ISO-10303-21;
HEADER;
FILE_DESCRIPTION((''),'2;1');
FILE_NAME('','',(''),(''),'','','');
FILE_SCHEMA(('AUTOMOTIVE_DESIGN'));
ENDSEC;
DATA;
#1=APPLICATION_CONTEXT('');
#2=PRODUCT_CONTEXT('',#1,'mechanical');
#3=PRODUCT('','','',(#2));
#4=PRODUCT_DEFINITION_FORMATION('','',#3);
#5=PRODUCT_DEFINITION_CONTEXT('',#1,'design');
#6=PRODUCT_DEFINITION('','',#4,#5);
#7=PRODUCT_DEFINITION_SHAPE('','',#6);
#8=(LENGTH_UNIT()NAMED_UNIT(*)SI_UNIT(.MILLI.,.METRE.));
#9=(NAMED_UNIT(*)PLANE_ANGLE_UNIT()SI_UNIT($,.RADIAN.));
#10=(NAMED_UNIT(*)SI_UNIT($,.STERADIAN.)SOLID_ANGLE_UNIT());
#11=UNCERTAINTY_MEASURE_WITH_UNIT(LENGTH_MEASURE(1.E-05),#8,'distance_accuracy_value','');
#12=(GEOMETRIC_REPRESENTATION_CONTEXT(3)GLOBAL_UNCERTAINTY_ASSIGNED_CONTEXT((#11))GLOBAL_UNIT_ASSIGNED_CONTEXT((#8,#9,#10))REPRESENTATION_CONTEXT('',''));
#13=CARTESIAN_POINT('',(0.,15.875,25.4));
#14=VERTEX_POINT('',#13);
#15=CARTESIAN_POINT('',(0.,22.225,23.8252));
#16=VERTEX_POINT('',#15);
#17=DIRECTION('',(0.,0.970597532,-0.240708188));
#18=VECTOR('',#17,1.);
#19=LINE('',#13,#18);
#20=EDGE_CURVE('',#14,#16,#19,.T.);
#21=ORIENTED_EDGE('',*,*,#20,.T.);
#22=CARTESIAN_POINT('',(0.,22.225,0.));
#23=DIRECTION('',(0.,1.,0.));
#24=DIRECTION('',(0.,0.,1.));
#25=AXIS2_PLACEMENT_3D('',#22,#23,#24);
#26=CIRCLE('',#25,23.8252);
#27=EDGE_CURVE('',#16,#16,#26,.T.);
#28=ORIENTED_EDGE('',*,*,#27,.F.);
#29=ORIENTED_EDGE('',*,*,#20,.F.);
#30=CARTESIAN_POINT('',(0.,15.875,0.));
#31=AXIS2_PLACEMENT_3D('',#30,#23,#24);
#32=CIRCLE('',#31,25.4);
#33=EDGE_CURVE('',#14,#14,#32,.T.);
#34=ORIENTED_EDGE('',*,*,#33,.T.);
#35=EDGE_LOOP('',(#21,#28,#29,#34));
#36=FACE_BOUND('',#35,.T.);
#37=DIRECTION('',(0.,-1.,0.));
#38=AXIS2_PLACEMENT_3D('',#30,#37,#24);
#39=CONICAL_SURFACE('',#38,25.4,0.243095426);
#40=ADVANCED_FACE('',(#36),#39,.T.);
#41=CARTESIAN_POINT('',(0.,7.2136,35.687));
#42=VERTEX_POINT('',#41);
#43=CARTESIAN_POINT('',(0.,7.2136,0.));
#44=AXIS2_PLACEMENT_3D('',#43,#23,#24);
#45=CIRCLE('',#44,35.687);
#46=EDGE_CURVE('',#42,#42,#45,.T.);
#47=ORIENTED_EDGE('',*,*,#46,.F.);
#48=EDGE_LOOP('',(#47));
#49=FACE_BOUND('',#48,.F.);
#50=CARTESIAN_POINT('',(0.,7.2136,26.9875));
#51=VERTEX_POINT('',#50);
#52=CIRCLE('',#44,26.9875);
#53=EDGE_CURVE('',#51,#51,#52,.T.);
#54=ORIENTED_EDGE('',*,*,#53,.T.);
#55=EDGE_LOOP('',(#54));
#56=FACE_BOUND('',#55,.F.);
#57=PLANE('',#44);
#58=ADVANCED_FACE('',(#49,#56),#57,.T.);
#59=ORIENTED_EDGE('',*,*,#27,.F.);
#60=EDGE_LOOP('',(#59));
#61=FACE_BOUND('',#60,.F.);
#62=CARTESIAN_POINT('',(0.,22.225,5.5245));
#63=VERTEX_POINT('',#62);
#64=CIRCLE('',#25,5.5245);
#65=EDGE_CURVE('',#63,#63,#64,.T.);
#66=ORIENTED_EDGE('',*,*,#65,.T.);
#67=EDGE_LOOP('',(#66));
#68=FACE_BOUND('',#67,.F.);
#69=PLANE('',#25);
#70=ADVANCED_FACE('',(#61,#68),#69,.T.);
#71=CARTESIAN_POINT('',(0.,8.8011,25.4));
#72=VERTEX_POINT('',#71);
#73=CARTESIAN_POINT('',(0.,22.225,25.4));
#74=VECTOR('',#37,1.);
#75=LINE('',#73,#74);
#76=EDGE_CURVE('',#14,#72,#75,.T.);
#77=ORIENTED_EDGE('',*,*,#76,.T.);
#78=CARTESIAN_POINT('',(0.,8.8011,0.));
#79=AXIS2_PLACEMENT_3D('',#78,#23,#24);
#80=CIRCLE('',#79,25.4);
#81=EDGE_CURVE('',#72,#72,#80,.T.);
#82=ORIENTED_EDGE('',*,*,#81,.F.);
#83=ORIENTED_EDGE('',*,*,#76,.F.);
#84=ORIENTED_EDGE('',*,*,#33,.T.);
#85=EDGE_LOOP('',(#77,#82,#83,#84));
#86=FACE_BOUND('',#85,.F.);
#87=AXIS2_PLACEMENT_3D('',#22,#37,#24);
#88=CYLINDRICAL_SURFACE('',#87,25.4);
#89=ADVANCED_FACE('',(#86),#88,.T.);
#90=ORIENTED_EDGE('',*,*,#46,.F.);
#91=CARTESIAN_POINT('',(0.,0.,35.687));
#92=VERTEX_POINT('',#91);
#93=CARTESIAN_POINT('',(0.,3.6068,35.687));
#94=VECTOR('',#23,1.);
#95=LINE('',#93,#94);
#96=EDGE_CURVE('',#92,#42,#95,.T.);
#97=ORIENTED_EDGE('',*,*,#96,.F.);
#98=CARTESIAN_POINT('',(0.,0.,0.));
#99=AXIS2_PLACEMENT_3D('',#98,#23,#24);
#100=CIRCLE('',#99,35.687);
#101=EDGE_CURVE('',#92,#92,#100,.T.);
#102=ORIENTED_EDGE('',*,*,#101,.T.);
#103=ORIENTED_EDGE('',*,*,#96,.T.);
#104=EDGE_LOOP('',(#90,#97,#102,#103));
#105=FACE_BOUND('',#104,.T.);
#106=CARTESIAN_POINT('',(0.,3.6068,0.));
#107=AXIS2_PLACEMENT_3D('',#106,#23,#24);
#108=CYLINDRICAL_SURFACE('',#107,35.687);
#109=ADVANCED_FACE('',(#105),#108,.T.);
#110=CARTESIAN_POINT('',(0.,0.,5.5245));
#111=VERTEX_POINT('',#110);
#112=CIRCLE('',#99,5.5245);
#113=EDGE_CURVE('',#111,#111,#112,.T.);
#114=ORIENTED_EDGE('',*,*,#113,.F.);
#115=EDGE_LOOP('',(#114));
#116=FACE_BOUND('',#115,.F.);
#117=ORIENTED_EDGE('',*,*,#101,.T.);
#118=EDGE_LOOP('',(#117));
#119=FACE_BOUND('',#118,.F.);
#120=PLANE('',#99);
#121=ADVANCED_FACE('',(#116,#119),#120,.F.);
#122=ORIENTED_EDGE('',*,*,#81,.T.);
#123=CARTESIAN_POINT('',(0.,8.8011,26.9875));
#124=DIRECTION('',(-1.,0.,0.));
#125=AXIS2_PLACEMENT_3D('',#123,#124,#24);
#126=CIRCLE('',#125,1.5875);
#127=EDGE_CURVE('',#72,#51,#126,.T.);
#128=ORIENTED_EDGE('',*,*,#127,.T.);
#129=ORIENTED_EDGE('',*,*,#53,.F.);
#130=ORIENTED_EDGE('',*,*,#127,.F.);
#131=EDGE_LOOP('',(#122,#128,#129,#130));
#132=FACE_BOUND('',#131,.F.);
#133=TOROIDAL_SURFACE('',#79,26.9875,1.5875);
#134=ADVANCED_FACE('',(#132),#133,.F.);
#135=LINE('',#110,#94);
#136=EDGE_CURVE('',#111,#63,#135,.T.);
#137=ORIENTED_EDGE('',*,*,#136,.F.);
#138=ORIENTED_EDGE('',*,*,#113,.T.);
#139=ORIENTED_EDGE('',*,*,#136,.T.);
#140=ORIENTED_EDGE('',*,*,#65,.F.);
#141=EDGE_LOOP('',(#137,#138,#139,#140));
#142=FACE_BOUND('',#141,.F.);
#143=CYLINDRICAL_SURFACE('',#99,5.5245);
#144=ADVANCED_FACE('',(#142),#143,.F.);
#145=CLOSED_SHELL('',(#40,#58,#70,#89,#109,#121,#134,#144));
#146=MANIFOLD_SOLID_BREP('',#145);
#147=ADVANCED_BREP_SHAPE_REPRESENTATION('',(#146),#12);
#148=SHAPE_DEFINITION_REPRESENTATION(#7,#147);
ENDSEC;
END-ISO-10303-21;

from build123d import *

# Parameters (mm, degrees)
F0_W     = 15.0114
F0_H     = 19.8755
F0_W_2   = 7.2136
F0_H_2   = 10.287
F2_R     = 1.5875
F3_SIZE2 = 1.5748
F3_SIZE  = 6.35


with BuildPart() as f1:
    # F0 (on Right) → F1 (revolve)
    with BuildSketch(Plane.YZ):
        with Locations((14.7193, 15.46225)):
            Rectangle(F0_W, F0_H)
        with Locations((3.6068, 15.46225)):
            Rectangle(F0_W_2, F0_H)
        with Locations((3.6068, 30.5435)):
            Rectangle(F0_W_2, F0_H_2)
    revolve(axis=Axis((0, 11.1125, 0), (0, 1, 0)))

    # F2
    f2_edges = [f1.edges().sort_by_distance(p)[0] for p in [
        (0, 7.2136, -25.4),
    ]]
    fillet(f2_edges, radius=F2_R)

    # F3
    f3_edges = [f1.edges().sort_by_distance(p)[0] for p in [
        (0, 22.225, -25.4),
    ]]
    chamfer(f3_edges, length=F3_SIZE, length2=F3_SIZE2)


solid = f1.part
